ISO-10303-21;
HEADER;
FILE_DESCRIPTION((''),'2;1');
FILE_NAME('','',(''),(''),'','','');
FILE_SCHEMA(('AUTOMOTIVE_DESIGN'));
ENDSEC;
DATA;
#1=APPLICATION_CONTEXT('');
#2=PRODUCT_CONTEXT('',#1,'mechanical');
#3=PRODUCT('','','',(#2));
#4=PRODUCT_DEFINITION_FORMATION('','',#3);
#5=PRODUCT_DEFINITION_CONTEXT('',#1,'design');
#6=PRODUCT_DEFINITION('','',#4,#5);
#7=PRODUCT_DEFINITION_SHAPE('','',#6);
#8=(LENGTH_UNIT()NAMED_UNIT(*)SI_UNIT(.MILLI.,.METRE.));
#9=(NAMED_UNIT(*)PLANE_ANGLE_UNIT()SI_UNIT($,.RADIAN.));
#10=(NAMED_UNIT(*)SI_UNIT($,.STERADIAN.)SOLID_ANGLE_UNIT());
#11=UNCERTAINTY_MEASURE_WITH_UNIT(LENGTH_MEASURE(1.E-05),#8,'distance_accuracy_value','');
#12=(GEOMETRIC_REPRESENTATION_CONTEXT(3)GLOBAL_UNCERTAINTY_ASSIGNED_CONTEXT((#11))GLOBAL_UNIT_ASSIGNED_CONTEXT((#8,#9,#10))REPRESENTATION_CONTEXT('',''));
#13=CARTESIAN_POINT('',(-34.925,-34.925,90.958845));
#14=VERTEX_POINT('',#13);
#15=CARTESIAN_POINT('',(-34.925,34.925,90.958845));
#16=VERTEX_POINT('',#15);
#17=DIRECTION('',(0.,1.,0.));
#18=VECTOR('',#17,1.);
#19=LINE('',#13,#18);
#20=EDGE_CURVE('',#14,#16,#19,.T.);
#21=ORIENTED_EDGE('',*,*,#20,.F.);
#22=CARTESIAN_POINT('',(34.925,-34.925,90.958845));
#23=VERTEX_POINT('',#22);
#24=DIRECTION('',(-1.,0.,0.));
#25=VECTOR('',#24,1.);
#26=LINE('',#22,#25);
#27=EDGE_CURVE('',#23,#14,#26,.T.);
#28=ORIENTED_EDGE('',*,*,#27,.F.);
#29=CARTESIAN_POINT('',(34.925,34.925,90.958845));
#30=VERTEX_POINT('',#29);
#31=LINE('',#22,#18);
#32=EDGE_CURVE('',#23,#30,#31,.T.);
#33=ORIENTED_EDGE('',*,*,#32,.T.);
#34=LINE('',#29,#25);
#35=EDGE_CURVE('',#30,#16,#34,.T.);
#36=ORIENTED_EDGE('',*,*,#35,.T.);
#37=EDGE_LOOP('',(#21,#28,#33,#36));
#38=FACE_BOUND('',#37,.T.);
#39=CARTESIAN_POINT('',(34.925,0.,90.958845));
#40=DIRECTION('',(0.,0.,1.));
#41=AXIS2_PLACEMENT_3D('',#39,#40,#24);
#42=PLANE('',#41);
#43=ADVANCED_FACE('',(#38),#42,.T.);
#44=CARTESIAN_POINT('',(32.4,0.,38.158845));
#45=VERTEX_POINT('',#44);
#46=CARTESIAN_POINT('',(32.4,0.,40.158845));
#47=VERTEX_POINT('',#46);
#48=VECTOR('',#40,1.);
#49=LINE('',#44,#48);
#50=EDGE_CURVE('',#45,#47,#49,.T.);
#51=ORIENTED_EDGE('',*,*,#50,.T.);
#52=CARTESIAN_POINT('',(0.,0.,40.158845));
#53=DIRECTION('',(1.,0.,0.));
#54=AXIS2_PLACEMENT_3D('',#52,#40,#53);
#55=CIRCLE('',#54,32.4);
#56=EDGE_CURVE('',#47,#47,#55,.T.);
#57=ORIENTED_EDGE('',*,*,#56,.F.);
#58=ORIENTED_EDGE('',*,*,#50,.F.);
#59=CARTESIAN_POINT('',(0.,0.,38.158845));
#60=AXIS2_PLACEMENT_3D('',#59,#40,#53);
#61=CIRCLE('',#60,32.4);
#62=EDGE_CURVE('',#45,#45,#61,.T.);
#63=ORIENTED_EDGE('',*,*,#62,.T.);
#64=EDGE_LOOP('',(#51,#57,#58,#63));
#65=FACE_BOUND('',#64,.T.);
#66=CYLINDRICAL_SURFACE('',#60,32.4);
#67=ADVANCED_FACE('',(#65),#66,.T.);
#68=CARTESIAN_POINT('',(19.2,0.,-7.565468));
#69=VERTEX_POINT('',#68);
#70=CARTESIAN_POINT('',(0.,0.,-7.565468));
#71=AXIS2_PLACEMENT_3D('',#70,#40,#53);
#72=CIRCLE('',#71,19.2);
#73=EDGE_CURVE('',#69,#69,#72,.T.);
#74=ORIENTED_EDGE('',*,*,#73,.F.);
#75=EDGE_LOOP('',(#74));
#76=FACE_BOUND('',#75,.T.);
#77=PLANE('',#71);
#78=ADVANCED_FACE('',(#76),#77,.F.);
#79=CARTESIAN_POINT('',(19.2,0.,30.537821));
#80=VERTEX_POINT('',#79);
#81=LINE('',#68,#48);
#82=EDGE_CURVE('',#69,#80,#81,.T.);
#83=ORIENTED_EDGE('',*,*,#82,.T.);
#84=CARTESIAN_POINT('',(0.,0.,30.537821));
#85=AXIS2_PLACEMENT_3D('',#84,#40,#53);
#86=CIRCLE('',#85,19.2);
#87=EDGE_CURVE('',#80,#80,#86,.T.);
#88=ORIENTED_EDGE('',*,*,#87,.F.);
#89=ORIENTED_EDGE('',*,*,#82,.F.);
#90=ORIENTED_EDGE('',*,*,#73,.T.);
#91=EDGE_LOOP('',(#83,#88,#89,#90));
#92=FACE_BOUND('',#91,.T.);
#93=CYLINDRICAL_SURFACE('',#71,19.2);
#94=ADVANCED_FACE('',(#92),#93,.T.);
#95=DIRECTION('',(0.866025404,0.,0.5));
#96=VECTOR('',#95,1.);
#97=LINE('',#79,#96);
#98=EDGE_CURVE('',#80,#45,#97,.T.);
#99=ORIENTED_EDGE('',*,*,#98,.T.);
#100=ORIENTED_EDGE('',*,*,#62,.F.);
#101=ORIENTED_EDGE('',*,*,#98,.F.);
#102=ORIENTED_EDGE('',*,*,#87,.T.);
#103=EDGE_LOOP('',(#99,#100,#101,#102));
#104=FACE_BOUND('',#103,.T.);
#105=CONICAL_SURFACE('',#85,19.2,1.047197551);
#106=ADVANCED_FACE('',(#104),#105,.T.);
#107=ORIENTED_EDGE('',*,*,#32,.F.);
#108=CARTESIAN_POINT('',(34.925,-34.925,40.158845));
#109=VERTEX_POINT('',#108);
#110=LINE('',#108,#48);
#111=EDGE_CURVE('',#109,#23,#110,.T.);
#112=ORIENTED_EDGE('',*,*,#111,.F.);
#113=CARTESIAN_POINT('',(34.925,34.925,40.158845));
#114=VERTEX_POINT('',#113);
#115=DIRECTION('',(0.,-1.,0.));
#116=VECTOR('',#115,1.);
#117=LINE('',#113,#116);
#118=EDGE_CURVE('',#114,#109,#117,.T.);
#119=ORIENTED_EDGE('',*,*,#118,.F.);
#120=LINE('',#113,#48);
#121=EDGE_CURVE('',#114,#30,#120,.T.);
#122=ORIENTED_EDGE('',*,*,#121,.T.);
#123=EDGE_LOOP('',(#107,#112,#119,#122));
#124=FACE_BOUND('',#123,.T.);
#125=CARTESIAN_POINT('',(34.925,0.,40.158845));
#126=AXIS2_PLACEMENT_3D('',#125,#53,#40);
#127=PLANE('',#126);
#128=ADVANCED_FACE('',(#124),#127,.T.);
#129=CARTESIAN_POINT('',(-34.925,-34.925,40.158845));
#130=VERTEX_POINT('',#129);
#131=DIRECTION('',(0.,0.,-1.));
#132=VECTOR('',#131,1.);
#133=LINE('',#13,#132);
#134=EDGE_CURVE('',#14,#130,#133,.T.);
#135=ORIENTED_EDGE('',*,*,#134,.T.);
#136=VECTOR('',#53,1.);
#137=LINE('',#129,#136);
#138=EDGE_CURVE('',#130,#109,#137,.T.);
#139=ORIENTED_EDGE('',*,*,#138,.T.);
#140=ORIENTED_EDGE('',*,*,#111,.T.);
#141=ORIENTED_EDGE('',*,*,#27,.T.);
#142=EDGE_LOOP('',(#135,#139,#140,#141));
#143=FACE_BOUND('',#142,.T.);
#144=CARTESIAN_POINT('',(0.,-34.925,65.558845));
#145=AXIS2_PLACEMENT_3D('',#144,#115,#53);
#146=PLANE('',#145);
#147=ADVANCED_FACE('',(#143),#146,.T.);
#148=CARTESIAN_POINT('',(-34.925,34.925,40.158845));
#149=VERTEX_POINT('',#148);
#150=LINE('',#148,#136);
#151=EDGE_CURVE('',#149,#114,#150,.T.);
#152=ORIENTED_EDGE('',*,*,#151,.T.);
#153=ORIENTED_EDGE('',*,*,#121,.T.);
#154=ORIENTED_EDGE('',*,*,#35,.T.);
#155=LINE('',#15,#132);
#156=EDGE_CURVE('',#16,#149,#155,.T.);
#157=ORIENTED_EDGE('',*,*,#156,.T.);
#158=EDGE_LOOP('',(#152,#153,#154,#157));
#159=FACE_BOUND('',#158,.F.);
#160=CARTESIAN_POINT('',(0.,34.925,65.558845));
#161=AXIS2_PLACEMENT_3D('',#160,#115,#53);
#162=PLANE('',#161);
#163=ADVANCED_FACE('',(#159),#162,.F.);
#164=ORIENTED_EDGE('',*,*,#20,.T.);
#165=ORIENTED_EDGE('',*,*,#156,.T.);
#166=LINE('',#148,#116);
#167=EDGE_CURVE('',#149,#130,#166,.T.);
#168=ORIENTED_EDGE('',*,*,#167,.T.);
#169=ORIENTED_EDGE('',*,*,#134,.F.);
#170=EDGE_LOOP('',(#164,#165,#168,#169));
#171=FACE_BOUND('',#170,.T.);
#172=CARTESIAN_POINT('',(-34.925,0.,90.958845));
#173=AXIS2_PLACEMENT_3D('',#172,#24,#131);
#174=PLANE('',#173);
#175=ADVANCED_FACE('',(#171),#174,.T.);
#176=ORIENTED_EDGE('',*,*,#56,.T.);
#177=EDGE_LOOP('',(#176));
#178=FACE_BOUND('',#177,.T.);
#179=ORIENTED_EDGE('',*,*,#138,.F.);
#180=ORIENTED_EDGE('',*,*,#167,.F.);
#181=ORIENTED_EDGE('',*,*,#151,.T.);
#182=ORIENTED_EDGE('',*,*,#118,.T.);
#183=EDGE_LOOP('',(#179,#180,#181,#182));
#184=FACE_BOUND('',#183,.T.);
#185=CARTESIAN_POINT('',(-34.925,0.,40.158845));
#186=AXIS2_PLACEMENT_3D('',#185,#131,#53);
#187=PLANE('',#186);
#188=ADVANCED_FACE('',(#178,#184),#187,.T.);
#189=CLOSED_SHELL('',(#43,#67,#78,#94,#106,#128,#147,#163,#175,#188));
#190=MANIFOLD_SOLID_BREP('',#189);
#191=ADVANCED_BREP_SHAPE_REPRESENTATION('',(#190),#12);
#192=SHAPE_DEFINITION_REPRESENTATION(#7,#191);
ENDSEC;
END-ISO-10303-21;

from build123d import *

# Parameters (mm, degrees)
F2_DEPTH = 34.925


with BuildPart() as f1:
    # F0 (on Front) → F1 (revolve)
    with BuildSketch(Plane.XZ):
        Polygon((32.4, 40.1588447371), (0, 40.1588447371), (0, -7.5654675063), (19.2, -7.5654675063), (19.2, 30.5378211838), (32.4, 38.1588447371), align=None)
    revolve(axis=Axis((0, 0, 16.2966886154), (0, 0, 1)))

    # F0 (on Front) → F2 (join, symmetric)
    with BuildSketch(Plane.XZ):
        Polygon((-34.925, 90.9588447371), (-34.925, 40.1588447371), (0, 40.1588447371), (32.4, 40.1588447371), (34.925, 40.1588447371), (34.925, 90.9588447371), align=None)
    extrude(amount=F2_DEPTH, both=True)


solid = f1.part
